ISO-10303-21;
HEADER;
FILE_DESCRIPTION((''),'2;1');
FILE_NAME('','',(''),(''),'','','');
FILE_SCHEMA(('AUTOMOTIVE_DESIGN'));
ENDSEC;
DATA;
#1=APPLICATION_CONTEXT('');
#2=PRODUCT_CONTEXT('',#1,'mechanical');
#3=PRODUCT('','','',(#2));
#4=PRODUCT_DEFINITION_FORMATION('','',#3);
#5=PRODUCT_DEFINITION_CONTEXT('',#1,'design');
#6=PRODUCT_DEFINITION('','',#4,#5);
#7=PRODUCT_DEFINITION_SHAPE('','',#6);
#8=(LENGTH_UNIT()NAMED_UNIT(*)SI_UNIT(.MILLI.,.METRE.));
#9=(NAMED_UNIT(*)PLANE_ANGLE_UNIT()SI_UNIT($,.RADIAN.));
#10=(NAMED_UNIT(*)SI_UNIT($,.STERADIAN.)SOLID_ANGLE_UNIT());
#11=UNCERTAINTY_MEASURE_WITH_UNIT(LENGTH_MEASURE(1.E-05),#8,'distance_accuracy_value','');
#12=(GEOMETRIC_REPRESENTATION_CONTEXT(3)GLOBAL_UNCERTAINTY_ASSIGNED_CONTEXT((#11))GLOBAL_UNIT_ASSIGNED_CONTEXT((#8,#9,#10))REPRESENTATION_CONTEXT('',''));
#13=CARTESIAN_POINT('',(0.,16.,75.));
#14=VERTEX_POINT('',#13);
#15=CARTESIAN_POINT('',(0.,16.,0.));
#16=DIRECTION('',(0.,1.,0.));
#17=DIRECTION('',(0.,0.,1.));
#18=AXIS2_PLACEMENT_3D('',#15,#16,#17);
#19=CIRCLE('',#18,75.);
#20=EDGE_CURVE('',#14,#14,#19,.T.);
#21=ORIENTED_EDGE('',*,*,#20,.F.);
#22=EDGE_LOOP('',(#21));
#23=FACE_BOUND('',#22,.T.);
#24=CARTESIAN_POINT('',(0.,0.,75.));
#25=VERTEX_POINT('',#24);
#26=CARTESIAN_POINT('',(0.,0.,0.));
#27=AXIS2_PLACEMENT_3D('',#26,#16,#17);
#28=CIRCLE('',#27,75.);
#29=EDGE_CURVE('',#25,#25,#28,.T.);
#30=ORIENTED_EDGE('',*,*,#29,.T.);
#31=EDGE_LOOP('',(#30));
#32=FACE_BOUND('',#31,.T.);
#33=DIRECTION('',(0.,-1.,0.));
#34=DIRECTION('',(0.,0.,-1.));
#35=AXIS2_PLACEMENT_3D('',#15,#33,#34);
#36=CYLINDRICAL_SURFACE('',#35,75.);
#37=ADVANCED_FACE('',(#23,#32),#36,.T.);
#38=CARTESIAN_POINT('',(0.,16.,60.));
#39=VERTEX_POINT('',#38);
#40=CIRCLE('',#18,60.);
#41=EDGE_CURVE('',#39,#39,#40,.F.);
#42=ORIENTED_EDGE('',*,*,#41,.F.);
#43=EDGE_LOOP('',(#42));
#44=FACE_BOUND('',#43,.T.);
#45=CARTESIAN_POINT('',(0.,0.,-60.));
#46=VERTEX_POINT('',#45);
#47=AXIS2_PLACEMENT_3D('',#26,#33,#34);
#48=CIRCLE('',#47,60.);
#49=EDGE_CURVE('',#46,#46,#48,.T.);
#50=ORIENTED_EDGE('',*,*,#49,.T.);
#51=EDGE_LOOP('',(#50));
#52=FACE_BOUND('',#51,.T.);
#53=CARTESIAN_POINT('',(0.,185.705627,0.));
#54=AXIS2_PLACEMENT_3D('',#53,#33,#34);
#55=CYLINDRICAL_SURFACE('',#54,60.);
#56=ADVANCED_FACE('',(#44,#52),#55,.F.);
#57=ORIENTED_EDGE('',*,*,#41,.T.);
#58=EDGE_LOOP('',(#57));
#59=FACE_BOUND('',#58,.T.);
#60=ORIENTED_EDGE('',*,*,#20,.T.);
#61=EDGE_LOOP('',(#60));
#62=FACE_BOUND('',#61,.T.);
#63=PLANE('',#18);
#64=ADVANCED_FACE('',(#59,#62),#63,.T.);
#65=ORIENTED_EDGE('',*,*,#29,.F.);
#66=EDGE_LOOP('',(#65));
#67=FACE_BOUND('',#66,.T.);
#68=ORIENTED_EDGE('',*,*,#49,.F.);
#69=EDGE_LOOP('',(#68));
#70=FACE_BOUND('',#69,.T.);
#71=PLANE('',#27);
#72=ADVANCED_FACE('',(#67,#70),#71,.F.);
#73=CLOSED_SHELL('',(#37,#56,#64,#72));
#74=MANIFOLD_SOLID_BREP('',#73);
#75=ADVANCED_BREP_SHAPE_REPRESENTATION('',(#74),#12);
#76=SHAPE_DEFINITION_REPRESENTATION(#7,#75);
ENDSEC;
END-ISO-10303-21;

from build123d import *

# Parameters (mm, degrees)
SKETCH1_R           = 75
BOSS_EXTRUDE1_DEPTH = 16
SKETCH2_R           = 60
CUT_EXTRUDE1_DEPTH  = 16


with BuildPart() as part:
    # Sketch1 → Boss-Extrude1 (new body)
    with BuildSketch(Plane(origin=(0, 0, 0), x_dir=(1, 0, 0), z_dir=(0, 1, 0))):
        with Locations(Location((0, 0, 0), (0, 0, 270))):
            Circle(SKETCH1_R)
    extrude(amount=BOSS_EXTRUDE1_DEPTH)

    # Sketch2 → Cut-Extrude1 (cut)
    with BuildSketch(Plane.XZ):
        with Locations(Location((0, 0, 0), (0, 0, 270))):
            Circle(SKETCH2_R)
    extrude(amount=-CUT_EXTRUDE1_DEPTH, mode=Mode.SUBTRACT)


solid = part.part
